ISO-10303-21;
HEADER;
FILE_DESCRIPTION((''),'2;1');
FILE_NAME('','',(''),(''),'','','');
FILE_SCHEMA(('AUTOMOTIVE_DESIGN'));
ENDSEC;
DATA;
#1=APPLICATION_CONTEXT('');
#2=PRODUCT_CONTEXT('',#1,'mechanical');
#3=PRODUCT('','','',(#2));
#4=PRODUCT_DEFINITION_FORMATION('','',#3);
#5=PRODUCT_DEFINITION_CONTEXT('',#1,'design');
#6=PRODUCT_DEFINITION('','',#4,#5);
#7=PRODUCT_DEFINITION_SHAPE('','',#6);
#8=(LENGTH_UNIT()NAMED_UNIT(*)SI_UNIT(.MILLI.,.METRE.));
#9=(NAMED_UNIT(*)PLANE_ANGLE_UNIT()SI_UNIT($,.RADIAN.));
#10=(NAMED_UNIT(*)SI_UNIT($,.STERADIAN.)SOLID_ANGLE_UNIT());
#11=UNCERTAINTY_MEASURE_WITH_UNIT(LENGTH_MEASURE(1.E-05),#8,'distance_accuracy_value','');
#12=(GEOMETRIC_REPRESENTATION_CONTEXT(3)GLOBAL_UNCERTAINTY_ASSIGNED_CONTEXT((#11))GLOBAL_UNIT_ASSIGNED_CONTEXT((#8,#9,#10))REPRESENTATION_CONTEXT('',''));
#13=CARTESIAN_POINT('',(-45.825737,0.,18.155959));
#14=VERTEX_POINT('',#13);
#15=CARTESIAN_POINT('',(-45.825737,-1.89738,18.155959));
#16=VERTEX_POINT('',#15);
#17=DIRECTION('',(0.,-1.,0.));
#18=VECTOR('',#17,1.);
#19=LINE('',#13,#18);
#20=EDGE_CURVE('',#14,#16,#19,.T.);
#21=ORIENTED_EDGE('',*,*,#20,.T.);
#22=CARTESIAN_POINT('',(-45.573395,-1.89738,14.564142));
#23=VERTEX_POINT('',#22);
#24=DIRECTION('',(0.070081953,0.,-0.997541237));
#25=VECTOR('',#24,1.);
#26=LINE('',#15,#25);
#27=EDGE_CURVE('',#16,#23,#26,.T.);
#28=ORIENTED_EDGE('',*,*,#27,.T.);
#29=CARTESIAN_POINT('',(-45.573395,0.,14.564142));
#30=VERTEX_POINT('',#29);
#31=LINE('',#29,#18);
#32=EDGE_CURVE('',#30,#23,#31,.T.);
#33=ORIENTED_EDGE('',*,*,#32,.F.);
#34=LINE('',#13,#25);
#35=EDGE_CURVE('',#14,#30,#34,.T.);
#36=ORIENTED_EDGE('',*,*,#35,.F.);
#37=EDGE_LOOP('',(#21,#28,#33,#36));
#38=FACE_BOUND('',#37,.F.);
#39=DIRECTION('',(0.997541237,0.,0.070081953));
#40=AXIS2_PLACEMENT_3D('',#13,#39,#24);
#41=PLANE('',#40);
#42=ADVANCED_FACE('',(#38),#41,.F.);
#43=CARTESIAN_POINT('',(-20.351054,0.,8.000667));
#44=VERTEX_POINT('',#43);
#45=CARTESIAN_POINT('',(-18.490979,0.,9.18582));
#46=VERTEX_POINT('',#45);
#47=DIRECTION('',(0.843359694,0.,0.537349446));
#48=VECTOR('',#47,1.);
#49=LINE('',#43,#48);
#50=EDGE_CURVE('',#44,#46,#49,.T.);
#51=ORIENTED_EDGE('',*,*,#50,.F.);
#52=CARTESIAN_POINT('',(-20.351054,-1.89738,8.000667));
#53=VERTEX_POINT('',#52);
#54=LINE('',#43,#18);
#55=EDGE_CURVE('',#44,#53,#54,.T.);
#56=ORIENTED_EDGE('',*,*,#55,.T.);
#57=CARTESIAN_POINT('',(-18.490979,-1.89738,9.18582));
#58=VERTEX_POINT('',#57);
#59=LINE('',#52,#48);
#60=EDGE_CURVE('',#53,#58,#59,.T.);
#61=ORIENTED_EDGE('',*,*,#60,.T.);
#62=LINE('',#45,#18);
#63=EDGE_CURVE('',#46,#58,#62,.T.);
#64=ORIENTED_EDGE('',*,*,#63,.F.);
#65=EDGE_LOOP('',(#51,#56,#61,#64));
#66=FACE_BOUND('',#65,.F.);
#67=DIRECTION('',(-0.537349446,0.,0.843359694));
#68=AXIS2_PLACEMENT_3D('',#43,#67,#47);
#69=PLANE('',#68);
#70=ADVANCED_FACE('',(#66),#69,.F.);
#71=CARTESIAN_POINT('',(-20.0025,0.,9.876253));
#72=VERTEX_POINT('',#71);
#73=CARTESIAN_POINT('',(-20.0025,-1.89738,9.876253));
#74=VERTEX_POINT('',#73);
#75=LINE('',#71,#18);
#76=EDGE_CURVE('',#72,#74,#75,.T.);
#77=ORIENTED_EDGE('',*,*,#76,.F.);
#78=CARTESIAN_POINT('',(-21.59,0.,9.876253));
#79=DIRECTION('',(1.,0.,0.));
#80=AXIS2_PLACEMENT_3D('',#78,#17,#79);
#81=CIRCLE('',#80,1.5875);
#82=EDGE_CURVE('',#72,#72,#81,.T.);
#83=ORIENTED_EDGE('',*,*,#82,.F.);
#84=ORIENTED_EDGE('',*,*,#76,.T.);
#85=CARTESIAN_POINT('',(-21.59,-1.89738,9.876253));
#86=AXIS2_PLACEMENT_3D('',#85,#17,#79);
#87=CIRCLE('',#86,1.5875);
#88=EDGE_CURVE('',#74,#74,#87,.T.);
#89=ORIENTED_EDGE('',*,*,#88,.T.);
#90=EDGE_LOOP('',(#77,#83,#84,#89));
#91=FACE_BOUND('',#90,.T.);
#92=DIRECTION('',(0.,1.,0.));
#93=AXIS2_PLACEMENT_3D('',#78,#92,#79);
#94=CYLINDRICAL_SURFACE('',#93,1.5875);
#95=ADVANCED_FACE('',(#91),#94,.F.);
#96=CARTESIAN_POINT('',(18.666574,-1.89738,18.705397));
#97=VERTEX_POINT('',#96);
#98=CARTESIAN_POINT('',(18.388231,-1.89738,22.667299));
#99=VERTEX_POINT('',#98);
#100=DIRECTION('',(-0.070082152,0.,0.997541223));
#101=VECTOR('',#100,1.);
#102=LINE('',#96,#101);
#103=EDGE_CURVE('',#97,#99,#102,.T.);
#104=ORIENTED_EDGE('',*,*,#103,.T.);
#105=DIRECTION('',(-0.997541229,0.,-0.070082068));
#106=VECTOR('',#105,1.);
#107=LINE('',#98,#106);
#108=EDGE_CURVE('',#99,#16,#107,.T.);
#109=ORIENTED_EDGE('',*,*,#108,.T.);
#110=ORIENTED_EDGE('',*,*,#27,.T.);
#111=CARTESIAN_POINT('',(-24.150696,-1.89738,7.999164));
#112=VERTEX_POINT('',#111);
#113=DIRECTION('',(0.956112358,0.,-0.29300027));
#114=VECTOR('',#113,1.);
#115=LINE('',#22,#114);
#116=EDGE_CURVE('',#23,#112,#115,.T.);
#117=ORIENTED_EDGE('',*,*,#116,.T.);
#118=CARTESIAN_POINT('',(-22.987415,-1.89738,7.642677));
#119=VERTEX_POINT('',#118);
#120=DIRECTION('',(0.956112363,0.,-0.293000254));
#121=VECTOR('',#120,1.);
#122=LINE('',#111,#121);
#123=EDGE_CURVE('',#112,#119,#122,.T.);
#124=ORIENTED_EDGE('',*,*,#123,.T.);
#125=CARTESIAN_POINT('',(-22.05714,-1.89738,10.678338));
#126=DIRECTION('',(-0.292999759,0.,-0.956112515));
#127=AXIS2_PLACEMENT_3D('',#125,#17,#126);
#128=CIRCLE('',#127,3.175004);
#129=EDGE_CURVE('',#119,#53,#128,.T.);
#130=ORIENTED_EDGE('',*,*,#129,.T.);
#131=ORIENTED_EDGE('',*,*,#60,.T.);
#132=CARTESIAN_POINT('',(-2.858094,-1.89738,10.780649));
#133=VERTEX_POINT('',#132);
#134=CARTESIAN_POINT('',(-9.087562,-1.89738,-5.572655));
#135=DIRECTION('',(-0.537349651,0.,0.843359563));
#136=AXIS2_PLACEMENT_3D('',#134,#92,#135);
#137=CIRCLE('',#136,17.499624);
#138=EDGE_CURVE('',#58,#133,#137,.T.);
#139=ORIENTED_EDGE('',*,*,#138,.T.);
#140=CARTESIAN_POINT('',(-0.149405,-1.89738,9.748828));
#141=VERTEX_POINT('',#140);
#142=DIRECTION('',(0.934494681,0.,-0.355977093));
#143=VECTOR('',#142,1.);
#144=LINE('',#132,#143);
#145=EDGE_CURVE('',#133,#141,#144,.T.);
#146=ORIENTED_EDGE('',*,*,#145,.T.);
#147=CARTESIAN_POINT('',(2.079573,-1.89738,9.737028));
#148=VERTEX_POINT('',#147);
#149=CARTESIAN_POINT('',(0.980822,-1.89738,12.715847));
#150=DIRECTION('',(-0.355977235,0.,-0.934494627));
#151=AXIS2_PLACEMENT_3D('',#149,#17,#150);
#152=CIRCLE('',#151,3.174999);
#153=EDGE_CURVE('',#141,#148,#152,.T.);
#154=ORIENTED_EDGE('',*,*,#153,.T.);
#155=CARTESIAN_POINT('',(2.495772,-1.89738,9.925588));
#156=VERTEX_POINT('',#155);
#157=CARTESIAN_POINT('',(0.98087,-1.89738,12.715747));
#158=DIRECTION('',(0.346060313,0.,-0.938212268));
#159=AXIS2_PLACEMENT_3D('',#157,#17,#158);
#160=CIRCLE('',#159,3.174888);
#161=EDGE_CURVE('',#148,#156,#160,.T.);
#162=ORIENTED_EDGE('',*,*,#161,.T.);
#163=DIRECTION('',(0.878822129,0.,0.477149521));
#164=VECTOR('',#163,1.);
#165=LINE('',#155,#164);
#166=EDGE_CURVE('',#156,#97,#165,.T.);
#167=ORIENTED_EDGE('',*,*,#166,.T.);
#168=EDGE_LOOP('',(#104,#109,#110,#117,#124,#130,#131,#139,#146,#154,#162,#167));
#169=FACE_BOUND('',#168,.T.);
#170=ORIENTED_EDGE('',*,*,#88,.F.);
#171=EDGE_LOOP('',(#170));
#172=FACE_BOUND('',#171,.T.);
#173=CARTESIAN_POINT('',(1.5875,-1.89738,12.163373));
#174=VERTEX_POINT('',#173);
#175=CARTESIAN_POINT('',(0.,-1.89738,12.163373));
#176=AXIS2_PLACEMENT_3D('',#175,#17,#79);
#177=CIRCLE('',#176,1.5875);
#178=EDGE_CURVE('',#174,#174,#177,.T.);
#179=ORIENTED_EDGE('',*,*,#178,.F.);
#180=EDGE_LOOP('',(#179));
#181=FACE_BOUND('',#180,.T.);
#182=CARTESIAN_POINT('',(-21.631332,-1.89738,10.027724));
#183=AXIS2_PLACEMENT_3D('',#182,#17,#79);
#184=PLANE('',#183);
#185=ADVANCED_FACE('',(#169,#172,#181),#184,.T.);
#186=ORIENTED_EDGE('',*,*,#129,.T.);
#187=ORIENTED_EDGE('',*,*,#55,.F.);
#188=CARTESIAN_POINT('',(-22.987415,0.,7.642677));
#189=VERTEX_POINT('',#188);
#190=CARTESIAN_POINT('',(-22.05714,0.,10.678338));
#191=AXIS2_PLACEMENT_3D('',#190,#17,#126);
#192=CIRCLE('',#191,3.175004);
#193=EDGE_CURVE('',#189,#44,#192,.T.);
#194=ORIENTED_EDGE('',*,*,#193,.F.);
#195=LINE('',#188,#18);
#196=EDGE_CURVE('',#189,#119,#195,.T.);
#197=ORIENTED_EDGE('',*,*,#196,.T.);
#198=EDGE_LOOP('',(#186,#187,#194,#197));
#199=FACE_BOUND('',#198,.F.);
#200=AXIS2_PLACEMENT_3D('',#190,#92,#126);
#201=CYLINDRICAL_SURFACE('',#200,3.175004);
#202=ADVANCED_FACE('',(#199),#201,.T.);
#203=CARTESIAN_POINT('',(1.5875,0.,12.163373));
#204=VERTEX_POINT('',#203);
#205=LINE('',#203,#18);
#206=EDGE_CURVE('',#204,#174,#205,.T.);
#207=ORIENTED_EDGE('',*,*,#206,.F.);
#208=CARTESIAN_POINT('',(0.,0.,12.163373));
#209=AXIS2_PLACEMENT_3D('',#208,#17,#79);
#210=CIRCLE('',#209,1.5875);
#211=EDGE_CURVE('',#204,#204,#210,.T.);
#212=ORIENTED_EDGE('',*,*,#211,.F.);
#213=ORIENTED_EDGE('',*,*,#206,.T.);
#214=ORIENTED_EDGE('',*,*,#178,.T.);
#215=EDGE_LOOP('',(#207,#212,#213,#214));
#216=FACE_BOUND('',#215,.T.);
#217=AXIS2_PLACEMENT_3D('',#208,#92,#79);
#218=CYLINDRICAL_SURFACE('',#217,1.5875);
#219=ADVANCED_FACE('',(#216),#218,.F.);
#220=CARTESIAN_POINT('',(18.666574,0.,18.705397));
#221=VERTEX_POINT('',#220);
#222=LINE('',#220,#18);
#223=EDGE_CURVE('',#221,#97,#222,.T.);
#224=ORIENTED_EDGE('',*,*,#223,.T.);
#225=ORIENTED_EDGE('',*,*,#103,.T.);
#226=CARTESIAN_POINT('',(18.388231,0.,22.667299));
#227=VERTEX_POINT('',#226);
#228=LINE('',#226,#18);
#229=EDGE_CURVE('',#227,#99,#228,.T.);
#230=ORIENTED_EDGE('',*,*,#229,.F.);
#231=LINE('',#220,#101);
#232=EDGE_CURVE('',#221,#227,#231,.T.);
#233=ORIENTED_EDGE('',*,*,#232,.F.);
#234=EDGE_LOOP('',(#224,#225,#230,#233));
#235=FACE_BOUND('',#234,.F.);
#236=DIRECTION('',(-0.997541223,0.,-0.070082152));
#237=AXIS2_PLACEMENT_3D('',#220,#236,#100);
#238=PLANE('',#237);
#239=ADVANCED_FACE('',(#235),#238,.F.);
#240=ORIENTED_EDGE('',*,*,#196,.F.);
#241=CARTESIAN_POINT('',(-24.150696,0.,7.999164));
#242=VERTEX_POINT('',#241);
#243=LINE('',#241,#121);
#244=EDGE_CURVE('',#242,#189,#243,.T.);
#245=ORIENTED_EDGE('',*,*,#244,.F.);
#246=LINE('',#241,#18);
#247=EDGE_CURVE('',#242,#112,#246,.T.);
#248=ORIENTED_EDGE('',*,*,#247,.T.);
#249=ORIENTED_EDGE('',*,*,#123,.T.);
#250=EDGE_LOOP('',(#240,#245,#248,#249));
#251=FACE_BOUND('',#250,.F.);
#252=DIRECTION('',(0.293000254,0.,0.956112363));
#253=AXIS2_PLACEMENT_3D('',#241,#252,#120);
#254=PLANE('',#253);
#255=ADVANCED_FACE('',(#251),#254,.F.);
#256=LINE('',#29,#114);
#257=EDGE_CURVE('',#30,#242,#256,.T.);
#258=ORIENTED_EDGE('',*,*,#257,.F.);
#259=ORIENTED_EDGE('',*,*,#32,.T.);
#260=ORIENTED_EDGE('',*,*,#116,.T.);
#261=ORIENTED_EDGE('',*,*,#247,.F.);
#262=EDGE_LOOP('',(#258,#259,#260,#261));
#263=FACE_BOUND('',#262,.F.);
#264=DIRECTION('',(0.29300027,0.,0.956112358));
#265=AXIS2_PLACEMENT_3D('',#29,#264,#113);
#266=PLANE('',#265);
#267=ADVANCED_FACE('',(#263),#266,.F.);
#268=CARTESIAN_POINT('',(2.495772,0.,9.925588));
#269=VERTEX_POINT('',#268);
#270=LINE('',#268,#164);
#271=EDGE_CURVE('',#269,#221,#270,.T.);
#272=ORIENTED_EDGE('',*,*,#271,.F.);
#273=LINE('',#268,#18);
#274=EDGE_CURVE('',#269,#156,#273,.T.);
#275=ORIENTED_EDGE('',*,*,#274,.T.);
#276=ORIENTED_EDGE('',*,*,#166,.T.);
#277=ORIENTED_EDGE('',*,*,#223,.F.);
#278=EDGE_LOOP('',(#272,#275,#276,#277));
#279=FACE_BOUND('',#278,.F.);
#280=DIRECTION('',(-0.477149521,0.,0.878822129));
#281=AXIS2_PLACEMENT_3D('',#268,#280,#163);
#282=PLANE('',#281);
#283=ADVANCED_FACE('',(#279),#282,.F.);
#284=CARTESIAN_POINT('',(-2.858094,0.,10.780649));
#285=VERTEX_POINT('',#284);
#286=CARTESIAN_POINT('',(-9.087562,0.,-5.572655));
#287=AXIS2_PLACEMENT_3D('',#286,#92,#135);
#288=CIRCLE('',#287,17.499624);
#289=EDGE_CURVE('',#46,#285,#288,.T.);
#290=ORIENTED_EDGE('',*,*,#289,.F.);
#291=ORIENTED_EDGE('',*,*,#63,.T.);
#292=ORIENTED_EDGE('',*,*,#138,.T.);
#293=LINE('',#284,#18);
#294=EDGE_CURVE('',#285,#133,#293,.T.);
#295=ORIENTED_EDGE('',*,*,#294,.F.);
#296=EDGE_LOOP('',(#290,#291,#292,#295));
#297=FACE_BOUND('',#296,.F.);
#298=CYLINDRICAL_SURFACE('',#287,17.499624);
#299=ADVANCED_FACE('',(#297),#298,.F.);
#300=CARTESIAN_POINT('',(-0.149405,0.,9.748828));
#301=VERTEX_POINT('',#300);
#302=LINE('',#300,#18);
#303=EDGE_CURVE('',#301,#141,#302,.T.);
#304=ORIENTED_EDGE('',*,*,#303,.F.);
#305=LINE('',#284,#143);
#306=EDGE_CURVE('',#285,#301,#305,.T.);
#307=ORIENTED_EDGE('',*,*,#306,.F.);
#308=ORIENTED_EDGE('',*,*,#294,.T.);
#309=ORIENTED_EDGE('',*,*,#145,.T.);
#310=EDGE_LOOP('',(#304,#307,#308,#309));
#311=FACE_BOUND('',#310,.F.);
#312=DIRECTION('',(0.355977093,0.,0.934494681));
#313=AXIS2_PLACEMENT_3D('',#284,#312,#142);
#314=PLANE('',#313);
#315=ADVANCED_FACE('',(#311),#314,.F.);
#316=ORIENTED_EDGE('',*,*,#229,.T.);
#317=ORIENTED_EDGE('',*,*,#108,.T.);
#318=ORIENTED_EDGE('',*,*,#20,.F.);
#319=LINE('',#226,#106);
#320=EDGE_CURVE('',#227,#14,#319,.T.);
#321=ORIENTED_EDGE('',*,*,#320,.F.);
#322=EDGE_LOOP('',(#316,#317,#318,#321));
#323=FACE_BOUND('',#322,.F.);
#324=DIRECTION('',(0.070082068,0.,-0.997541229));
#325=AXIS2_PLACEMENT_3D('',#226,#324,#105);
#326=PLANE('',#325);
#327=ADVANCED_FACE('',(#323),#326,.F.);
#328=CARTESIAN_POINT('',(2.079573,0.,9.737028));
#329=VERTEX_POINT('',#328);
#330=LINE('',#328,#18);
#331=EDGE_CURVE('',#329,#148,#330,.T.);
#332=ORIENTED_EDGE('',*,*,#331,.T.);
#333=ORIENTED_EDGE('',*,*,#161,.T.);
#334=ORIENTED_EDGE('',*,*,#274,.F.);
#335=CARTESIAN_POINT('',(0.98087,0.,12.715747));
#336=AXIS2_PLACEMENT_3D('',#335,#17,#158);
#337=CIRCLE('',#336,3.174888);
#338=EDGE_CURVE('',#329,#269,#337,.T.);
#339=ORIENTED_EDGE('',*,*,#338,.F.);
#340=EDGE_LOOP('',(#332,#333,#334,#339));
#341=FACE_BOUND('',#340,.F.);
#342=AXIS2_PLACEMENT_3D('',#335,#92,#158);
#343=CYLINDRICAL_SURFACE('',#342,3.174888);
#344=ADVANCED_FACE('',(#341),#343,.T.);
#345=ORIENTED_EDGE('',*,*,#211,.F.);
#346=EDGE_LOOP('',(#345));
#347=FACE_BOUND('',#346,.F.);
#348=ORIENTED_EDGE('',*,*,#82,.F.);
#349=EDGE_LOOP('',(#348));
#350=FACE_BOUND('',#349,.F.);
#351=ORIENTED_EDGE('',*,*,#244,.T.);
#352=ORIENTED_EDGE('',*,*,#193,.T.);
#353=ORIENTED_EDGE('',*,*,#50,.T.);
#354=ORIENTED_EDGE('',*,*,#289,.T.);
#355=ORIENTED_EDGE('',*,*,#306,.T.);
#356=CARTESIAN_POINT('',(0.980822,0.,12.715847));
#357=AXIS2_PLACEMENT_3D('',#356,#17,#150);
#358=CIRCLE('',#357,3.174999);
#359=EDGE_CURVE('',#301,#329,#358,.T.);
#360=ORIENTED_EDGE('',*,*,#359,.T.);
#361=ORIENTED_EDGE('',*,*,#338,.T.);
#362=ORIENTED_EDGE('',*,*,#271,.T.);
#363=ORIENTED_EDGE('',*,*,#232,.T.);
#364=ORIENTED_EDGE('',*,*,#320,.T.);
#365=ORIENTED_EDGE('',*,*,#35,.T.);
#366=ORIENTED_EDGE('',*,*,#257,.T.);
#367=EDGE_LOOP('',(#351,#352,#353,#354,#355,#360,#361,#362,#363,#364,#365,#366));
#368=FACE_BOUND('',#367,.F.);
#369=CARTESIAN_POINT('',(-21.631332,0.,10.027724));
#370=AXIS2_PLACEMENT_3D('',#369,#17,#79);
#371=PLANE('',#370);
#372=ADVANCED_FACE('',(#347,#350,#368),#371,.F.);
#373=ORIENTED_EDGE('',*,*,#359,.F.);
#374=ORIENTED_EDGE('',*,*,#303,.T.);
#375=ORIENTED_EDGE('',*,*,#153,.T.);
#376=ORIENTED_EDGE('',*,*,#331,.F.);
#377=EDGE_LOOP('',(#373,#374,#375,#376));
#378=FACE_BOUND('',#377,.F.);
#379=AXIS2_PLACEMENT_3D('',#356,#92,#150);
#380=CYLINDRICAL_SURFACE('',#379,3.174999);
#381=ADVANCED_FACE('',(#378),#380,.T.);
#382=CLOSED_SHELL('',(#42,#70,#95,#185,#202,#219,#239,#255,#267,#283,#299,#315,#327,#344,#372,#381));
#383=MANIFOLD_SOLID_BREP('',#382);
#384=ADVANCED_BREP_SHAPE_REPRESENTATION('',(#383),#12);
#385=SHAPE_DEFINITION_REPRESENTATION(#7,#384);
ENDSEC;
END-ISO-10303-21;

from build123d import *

# Parameters (mm, degrees)
F0_R     = 1.5875
F1_DEPTH = 1.89738


with BuildPart() as f1:
    # F0 (on Front) → F1 (new body)
    with BuildSketch(Plane.XZ):
        with BuildLine():
            Line((-20.351054, 8.000667), (-18.490979, 9.18582))
            ThreePointArc((-18.490979, 9.18582), (-22.241526, 12.983685), (-24.150696, 7.999164))
            Line((-24.150696, 7.999164), (-22.987415, 7.642677))
            ThreePointArc((-22.987415, 7.642677), (-21.629928, 7.532207), (-20.351054, 8.000667))
        make_face()
        with Locations((-21.59, 9.876253)):
            Circle(F0_R, mode=Mode.SUBTRACT)
        with BuildLine():
            ThreePointArc((2.326063, 10.002341), (0.471386, 15.303185), (-2.858094, 10.780649))
            Line((-2.858094, 10.780649), (-0.149405, 9.748828))
            ThreePointArc((-0.149405, 9.748828), (0.964014, 9.540893), (2.079573, 9.737028))
            Line((2.079573, 9.737028), (2.326063, 10.002341))
        make_face()
        with Locations((0, 12.163373)):
            Circle(F0_R, mode=Mode.SUBTRACT)
        with BuildLine():
            ThreePointArc((-24.150696, 7.999164), (-22.241526, 12.983685), (-18.490979, 9.18582))
            ThreePointArc((-18.490979, 9.18582), (-10.863613, 11.836609), (-2.858094, 10.780649))
            ThreePointArc((-2.858094, 10.780649), (0.471386, 15.303185), (2.326063, 10.002341))
            Line((2.326063, 10.002341), (2.079573, 9.737028))
            ThreePointArc((2.079573, 9.737028), (2.291069, 9.823811), (2.495772, 9.925588))
            Line((2.495772, 9.925588), (18.666574, 18.705397))
            Line((18.666574, 18.705397), (18.388231, 22.667299))
            Line((18.388231, 22.667299), (-45.825737, 18.155959))
            Line((-45.825737, 18.155959), (-45.573395, 14.564142))
            Line((-45.573395, 14.564142), (-24.150696, 7.999164))
        make_face()
    extrude(amount=F1_DEPTH)


solid = f1.part
